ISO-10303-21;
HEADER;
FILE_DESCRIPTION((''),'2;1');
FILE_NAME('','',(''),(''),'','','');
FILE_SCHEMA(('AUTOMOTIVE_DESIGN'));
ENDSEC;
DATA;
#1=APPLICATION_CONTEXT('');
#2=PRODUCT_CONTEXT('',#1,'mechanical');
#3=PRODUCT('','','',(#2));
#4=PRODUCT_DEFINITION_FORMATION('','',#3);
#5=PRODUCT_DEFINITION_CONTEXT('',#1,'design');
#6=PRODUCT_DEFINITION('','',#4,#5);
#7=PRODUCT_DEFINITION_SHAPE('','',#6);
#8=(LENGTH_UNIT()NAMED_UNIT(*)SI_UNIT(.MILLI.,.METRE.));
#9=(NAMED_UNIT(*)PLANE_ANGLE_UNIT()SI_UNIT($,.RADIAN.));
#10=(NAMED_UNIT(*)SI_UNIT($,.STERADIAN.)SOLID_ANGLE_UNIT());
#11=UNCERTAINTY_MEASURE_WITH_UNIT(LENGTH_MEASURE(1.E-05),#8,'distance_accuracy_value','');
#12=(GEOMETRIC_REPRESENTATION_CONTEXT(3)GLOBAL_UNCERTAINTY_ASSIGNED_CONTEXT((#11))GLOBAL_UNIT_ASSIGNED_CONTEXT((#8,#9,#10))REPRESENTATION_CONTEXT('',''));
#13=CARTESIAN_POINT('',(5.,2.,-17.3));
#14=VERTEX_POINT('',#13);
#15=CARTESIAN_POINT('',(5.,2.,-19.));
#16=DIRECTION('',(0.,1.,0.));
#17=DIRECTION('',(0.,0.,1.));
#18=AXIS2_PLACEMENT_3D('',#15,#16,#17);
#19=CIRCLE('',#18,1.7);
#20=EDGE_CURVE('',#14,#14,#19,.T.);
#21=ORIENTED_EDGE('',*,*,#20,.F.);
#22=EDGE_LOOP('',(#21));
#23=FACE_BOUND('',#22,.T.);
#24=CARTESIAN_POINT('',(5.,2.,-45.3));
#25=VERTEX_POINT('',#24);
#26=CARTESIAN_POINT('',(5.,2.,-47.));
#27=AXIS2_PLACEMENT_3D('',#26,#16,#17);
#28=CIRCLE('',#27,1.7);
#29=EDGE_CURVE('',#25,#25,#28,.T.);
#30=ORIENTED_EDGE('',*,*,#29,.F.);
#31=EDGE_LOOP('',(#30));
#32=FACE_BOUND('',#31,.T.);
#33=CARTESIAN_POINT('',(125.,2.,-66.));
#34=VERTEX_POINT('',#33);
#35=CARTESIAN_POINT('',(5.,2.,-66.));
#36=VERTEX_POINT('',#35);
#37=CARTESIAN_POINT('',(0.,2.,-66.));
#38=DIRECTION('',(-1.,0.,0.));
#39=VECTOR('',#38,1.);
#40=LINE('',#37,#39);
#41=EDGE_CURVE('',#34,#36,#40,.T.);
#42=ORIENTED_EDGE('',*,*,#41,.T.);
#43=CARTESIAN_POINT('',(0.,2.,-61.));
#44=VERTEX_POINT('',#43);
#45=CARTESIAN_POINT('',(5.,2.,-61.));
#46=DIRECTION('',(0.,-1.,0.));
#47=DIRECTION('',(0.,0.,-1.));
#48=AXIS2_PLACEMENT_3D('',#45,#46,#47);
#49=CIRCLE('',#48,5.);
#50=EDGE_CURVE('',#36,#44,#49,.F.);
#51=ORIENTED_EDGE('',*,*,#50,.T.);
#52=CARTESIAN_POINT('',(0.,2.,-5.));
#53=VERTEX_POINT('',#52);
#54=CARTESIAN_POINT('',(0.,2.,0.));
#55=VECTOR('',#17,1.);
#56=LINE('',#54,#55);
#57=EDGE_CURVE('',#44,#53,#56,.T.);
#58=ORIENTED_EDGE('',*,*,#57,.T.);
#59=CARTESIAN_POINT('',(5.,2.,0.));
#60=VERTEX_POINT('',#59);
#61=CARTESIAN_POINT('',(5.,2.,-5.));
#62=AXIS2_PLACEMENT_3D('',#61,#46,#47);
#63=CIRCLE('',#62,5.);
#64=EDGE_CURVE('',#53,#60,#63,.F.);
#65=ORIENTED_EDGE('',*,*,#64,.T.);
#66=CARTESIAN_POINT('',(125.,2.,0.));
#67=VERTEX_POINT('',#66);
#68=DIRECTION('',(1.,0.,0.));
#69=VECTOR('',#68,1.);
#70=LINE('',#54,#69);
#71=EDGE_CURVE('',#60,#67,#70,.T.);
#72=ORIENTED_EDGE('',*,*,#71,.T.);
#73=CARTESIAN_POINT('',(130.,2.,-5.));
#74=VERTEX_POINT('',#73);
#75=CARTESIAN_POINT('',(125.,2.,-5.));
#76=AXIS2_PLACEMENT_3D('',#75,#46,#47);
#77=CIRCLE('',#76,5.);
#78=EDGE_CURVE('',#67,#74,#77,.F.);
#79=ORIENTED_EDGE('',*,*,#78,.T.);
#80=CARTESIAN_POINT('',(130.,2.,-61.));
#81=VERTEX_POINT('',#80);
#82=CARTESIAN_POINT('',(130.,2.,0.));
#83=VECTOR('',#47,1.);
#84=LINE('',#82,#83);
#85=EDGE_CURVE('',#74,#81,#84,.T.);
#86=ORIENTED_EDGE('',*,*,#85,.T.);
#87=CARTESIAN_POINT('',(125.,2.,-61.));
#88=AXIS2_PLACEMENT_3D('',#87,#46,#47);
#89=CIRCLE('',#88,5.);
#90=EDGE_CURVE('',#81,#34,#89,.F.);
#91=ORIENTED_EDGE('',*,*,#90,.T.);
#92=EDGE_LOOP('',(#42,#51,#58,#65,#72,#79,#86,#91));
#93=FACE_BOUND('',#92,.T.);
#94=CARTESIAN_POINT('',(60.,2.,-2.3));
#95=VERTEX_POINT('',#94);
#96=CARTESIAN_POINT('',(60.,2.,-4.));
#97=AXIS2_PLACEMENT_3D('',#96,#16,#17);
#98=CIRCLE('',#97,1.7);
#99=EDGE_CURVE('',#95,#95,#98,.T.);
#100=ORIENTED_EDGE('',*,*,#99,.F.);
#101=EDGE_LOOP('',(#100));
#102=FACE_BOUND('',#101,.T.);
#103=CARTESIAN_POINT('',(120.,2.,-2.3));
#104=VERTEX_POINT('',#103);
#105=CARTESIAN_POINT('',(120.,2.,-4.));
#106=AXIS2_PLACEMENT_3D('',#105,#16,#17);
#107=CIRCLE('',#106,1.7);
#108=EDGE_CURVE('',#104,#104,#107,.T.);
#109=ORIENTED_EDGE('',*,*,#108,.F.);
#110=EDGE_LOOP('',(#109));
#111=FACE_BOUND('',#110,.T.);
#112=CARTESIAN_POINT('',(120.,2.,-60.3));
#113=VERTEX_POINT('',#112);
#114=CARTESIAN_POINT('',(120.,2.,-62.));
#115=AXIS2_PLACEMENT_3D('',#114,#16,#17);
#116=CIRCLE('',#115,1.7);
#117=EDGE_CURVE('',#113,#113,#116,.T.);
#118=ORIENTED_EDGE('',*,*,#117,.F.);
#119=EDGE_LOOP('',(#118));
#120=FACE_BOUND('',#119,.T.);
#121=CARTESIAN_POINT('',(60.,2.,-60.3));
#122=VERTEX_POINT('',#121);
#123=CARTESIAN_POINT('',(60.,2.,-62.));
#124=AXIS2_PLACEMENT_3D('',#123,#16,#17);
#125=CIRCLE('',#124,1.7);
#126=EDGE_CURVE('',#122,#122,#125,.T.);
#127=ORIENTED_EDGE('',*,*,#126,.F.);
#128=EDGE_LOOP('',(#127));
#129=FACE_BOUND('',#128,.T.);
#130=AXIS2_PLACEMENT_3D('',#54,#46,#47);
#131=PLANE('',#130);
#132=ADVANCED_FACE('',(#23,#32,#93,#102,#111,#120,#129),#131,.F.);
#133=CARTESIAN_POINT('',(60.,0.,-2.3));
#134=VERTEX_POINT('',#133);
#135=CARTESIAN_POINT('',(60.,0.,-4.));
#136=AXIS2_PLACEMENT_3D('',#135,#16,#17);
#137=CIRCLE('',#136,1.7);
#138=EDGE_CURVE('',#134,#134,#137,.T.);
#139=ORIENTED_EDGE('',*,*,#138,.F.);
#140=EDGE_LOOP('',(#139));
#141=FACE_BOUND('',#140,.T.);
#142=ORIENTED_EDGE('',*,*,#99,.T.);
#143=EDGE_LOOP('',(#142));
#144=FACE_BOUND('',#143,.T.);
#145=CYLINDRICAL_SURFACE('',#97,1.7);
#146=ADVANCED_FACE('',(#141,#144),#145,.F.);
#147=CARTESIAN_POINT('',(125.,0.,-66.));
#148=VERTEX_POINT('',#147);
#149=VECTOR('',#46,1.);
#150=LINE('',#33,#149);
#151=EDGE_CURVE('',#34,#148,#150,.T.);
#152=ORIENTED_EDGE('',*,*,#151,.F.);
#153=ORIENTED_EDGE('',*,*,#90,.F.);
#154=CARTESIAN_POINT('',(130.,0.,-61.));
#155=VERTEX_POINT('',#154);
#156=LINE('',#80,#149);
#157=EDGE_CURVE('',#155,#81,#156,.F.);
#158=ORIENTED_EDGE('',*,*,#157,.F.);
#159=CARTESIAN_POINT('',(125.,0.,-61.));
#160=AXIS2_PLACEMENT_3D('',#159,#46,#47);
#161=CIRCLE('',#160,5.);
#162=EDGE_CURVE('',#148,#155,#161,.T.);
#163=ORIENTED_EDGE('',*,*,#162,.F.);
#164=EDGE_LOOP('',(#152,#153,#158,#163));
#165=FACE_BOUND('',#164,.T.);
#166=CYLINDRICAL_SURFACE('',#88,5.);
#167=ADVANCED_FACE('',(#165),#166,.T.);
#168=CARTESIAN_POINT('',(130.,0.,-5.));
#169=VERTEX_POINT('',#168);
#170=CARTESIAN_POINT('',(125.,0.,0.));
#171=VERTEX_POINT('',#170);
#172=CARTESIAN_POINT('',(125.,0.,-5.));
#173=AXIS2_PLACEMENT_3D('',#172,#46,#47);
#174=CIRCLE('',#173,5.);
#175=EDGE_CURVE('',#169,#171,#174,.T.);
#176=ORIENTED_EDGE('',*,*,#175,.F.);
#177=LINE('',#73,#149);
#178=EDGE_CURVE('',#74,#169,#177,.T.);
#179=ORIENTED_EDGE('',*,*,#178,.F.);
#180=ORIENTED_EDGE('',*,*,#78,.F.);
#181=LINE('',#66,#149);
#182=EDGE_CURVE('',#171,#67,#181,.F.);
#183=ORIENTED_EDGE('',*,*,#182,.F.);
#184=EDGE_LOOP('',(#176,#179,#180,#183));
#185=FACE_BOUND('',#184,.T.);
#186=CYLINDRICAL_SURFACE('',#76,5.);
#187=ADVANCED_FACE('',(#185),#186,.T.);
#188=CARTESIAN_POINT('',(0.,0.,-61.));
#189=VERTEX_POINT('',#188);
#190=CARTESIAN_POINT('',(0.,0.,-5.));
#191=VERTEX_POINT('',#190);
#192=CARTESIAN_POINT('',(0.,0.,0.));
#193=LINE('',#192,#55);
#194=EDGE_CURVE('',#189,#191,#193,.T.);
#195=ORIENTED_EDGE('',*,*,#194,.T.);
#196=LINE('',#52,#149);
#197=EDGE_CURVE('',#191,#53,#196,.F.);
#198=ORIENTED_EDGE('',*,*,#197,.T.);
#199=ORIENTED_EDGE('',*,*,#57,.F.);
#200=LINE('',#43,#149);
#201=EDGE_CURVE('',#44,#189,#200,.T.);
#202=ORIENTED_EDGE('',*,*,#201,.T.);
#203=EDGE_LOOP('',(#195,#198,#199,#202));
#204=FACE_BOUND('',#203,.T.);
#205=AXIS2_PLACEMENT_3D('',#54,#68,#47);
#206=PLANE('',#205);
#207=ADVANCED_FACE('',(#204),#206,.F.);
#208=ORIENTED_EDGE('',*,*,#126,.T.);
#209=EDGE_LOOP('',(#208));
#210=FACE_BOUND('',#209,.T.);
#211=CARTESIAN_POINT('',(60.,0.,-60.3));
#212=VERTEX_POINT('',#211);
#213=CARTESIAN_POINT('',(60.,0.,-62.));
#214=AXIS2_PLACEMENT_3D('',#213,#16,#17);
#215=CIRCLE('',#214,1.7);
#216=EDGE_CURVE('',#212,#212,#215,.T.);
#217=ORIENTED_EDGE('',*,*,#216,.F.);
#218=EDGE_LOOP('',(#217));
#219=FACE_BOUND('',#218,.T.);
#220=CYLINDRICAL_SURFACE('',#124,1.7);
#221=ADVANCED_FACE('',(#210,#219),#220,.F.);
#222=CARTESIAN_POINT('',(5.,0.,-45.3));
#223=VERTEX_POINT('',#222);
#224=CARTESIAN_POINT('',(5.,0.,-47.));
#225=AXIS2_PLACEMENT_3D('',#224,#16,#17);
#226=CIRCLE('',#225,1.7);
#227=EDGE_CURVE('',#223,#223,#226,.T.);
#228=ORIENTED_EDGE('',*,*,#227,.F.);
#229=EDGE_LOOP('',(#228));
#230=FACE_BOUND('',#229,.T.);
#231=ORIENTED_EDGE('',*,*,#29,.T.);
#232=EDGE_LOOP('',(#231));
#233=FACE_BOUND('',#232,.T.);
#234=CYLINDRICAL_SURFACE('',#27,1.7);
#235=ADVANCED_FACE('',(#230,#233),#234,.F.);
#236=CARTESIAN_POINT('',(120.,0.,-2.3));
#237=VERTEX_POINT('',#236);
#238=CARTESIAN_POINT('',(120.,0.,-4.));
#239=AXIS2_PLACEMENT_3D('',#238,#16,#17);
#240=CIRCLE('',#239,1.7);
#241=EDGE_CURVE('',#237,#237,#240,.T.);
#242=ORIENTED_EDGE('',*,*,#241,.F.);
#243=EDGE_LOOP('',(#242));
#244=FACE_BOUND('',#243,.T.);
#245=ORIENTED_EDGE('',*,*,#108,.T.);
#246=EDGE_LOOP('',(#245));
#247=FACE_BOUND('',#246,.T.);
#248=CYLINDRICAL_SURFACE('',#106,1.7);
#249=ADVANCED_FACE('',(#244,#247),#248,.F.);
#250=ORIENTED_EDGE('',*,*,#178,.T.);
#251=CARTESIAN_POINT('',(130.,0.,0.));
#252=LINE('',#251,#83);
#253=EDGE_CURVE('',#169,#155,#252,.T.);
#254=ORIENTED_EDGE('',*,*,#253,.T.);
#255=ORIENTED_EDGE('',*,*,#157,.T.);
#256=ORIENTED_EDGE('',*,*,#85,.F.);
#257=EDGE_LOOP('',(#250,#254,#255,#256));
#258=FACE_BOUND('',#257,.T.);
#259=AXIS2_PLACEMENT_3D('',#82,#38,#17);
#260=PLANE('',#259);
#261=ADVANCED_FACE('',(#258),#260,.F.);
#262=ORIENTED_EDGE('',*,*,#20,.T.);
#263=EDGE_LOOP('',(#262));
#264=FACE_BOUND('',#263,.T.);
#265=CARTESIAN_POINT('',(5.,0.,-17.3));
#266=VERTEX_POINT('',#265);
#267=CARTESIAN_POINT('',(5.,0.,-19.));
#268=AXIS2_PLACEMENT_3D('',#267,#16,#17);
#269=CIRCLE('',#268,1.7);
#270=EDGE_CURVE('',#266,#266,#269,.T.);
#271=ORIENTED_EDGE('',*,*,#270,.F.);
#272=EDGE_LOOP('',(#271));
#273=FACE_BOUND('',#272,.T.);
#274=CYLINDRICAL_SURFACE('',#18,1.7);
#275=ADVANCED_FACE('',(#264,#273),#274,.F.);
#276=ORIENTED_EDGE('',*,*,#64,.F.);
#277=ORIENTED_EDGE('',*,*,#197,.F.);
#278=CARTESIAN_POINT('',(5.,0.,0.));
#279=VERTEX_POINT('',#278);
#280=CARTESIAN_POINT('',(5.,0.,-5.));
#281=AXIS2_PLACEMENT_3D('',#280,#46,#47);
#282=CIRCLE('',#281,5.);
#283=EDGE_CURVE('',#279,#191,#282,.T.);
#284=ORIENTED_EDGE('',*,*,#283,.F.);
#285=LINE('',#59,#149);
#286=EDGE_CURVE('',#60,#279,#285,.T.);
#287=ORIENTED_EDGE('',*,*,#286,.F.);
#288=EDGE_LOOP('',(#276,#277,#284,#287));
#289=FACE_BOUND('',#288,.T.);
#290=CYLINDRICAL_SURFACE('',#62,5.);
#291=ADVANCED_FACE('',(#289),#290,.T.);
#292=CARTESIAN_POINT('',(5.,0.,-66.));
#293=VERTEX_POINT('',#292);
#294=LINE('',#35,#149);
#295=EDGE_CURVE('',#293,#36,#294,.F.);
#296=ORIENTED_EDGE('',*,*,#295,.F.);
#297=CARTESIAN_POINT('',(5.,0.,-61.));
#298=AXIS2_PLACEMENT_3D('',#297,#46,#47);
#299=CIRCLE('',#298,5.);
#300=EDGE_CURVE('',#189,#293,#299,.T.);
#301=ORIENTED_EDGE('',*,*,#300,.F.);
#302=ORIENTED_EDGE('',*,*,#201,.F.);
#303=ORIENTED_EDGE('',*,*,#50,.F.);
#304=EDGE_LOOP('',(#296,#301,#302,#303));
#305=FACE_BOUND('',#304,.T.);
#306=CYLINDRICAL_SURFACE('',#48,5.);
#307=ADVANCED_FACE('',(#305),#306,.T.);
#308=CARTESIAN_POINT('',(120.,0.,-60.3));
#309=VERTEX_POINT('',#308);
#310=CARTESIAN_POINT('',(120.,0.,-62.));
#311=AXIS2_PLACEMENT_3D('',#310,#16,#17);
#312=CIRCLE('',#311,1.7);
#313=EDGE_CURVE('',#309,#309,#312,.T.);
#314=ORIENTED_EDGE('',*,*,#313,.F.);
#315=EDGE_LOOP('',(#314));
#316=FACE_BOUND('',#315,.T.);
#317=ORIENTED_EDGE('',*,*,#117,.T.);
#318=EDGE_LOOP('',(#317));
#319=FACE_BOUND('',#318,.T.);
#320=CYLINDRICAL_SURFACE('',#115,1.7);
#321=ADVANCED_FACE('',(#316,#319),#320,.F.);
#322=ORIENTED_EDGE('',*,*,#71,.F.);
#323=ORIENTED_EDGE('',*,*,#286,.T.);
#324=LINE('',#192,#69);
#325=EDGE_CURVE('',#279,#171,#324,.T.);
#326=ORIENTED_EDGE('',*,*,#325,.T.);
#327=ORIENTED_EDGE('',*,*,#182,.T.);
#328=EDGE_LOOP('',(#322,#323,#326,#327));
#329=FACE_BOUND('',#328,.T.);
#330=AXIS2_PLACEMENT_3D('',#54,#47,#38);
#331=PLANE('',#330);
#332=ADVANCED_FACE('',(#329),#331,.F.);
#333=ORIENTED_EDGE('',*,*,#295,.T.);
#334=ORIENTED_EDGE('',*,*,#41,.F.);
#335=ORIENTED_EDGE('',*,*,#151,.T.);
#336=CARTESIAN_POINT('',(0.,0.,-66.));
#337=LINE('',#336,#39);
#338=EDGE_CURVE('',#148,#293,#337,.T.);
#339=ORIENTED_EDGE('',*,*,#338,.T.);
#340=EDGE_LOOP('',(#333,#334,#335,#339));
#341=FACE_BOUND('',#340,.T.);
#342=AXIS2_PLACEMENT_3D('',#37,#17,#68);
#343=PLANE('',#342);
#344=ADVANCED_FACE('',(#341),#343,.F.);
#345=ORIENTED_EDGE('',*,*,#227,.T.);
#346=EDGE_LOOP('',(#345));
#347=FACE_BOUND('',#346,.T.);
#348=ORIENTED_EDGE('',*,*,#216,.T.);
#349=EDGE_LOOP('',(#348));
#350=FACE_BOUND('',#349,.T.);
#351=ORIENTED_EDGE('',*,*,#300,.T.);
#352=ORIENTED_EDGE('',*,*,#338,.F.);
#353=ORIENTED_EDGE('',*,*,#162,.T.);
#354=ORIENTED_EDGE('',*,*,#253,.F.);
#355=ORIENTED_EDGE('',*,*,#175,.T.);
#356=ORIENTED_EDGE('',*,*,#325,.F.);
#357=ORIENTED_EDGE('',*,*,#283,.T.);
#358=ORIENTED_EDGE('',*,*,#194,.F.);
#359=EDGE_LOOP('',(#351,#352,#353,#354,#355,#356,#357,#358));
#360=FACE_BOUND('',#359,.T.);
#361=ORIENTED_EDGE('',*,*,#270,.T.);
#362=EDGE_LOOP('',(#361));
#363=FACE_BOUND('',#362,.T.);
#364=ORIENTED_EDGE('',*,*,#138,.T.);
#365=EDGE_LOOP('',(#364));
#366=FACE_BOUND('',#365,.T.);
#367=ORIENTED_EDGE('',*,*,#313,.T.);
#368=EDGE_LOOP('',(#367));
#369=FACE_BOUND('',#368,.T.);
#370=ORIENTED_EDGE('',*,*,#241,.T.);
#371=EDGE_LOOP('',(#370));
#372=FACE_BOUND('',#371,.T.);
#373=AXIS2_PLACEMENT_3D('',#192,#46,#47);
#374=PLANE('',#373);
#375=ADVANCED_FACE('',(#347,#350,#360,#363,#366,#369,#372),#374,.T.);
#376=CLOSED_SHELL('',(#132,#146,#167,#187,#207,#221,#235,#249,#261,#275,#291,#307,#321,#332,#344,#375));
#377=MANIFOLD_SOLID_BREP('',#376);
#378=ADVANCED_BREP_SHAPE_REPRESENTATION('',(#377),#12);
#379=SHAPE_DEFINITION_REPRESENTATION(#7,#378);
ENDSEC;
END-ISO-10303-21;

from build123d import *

# Parameters (mm, degrees)
SKETCH1_W            = 130
SKETCH1_H            = 66
BOSS_EXTRUDE1_DEPTH  = 2
FILLET1_R            = 5
M3_CLEARANCE_HOLE1_D = 3.4


with BuildPart() as part:
    # Sketch1 → Boss-Extrude1 (new body)
    with BuildSketch(Plane(origin=(0, 0, 0), x_dir=(1, 0, 0), z_dir=(0, 1, 0))):
        with Locations((65, 33)):
            Rectangle(SKETCH1_W, SKETCH1_H)
    extrude(amount=BOSS_EXTRUDE1_DEPTH)

    # Fillet1
    fillet1_edges = [part.edges().sort_by_distance(p)[0] for p in [
        (0, 1, -66),
        (130, 1, -66),
        (130, 1, 0),
        (0, 1, 0),
    ]]
    fillet(fillet1_edges, radius=FILLET1_R)

    # M3 Clearance Hole1 (through all)
    with Locations(Plane(origin=(0, 2, 0), x_dir=(1, 0, 0), z_dir=(0, 1, 0))):
        with Locations((5, 19), (60, 4), (120, 4), (120, 62), (60, 62), (5, 47)):
            Hole(M3_CLEARANCE_HOLE1_D / 2)


solid = part.part
